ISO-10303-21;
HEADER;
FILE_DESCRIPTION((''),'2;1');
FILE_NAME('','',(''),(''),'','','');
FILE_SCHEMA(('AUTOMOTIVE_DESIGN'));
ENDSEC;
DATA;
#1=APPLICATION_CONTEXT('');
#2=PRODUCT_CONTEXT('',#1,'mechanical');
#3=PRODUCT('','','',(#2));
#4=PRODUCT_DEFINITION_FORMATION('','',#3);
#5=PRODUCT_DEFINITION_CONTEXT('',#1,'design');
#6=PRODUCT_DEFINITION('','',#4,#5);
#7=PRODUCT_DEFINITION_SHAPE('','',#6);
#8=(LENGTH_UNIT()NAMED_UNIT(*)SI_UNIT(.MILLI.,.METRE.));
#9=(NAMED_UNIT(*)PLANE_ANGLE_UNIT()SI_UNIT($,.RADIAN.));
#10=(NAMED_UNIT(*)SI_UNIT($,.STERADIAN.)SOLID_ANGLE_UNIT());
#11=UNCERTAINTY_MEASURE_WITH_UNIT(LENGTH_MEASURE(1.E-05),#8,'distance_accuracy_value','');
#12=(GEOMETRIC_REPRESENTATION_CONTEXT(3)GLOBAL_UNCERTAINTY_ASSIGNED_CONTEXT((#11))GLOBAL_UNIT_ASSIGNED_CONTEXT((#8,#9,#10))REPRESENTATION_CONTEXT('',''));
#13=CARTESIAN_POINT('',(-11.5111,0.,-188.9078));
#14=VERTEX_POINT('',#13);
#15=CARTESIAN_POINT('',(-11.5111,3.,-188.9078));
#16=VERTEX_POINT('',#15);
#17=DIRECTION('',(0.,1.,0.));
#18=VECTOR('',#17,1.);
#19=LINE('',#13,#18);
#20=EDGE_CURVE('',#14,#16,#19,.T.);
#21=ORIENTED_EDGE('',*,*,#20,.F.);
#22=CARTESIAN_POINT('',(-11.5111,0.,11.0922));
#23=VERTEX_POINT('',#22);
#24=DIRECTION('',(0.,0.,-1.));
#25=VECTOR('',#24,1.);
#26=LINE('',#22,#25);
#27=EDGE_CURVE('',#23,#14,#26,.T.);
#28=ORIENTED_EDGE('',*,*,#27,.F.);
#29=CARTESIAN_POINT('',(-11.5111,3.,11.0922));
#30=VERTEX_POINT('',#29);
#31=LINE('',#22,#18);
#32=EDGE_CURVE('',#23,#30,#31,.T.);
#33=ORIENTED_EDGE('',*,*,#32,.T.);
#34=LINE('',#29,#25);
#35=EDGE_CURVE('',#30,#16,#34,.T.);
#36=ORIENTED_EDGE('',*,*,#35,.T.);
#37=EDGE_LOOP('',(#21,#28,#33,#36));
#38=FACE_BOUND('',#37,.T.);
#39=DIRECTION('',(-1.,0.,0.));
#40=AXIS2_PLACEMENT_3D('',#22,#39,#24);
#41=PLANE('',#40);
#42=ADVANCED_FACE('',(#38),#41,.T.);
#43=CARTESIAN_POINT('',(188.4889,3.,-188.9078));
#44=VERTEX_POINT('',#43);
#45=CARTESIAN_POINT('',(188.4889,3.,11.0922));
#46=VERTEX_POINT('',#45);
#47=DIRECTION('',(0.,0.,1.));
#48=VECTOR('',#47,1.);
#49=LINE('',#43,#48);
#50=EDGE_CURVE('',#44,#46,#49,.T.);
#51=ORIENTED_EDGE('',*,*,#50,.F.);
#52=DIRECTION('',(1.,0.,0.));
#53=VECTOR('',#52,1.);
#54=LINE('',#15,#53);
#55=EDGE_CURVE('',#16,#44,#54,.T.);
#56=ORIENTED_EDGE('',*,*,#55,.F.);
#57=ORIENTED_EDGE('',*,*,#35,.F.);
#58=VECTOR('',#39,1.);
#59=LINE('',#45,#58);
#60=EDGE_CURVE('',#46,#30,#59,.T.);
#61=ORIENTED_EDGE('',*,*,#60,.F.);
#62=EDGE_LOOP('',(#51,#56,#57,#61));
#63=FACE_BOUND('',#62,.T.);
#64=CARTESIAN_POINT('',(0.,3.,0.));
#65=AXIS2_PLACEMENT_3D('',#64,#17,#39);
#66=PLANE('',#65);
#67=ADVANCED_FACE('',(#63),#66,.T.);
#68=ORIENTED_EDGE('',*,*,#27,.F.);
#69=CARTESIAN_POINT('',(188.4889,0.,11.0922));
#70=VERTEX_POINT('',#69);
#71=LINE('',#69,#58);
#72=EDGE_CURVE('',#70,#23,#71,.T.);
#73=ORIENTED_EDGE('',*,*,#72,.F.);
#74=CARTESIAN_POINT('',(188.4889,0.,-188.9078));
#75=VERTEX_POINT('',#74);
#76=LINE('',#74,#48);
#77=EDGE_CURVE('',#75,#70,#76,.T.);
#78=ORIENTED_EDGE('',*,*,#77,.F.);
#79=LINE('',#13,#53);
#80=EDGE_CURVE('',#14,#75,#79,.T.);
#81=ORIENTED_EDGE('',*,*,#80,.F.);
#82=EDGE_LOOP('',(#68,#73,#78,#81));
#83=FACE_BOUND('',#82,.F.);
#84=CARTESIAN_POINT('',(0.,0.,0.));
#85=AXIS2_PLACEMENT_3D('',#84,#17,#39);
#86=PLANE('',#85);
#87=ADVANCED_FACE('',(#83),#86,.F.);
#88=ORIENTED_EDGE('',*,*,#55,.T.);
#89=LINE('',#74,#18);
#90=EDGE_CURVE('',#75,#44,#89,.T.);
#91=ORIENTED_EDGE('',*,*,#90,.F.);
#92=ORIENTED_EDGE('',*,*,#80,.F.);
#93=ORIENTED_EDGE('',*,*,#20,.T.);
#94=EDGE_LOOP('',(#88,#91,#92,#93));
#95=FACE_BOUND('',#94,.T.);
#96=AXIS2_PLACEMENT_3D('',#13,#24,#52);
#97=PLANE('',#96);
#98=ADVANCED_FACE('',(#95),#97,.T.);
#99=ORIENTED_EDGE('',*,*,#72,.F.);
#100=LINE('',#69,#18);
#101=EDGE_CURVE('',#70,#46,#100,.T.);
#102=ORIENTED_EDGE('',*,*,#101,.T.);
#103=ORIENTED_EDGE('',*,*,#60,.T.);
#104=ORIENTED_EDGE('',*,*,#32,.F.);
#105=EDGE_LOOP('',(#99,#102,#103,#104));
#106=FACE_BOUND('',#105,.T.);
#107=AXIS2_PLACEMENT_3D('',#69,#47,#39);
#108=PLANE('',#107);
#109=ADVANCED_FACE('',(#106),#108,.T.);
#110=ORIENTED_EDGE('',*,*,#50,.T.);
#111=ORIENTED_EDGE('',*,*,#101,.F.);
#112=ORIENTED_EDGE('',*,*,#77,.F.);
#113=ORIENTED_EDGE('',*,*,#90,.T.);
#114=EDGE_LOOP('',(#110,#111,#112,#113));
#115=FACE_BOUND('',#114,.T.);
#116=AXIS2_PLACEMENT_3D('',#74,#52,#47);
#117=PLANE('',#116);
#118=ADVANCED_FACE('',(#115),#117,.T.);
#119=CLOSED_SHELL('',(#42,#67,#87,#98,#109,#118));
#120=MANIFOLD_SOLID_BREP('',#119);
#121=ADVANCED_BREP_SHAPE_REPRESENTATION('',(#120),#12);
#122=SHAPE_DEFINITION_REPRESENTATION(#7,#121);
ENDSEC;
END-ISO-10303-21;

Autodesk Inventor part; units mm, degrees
ref_plane "YZ Plane" through (0, 0, 0) normal (1, 0, 0) x (0, 1, 0)
ref_plane "XZ Plane" through (0, 0, 0) normal (0, 1, 0) x (-1, 0, 0)
ref_plane "XY Plane" through (0, 0, 0) normal (0, 0, 1) x (1, 0, 0)
sketch "Sketch1" plane through (0, 0, 0) normal (0, 1, 0) x (-1, 0, 0)
  line L0 (11.5111, 11.0922) -> (11.5111, -188.9078)
  line L1 (11.5111, -188.9078) -> (-188.4889, -188.9078)
  line L2 (-188.4889, -188.9078) -> (-188.4889, 11.0922)
  line L3 (-188.4889, 11.0922) -> (11.5111, 11.0922)
  point P0 (0, 0)
  dimension "d0" = 200
  dimension "d1" = 200
extrude "Extrusion1" add sketch "Sketch1" along normal blind 3
properties part number "Topbottom" material "Glass"
